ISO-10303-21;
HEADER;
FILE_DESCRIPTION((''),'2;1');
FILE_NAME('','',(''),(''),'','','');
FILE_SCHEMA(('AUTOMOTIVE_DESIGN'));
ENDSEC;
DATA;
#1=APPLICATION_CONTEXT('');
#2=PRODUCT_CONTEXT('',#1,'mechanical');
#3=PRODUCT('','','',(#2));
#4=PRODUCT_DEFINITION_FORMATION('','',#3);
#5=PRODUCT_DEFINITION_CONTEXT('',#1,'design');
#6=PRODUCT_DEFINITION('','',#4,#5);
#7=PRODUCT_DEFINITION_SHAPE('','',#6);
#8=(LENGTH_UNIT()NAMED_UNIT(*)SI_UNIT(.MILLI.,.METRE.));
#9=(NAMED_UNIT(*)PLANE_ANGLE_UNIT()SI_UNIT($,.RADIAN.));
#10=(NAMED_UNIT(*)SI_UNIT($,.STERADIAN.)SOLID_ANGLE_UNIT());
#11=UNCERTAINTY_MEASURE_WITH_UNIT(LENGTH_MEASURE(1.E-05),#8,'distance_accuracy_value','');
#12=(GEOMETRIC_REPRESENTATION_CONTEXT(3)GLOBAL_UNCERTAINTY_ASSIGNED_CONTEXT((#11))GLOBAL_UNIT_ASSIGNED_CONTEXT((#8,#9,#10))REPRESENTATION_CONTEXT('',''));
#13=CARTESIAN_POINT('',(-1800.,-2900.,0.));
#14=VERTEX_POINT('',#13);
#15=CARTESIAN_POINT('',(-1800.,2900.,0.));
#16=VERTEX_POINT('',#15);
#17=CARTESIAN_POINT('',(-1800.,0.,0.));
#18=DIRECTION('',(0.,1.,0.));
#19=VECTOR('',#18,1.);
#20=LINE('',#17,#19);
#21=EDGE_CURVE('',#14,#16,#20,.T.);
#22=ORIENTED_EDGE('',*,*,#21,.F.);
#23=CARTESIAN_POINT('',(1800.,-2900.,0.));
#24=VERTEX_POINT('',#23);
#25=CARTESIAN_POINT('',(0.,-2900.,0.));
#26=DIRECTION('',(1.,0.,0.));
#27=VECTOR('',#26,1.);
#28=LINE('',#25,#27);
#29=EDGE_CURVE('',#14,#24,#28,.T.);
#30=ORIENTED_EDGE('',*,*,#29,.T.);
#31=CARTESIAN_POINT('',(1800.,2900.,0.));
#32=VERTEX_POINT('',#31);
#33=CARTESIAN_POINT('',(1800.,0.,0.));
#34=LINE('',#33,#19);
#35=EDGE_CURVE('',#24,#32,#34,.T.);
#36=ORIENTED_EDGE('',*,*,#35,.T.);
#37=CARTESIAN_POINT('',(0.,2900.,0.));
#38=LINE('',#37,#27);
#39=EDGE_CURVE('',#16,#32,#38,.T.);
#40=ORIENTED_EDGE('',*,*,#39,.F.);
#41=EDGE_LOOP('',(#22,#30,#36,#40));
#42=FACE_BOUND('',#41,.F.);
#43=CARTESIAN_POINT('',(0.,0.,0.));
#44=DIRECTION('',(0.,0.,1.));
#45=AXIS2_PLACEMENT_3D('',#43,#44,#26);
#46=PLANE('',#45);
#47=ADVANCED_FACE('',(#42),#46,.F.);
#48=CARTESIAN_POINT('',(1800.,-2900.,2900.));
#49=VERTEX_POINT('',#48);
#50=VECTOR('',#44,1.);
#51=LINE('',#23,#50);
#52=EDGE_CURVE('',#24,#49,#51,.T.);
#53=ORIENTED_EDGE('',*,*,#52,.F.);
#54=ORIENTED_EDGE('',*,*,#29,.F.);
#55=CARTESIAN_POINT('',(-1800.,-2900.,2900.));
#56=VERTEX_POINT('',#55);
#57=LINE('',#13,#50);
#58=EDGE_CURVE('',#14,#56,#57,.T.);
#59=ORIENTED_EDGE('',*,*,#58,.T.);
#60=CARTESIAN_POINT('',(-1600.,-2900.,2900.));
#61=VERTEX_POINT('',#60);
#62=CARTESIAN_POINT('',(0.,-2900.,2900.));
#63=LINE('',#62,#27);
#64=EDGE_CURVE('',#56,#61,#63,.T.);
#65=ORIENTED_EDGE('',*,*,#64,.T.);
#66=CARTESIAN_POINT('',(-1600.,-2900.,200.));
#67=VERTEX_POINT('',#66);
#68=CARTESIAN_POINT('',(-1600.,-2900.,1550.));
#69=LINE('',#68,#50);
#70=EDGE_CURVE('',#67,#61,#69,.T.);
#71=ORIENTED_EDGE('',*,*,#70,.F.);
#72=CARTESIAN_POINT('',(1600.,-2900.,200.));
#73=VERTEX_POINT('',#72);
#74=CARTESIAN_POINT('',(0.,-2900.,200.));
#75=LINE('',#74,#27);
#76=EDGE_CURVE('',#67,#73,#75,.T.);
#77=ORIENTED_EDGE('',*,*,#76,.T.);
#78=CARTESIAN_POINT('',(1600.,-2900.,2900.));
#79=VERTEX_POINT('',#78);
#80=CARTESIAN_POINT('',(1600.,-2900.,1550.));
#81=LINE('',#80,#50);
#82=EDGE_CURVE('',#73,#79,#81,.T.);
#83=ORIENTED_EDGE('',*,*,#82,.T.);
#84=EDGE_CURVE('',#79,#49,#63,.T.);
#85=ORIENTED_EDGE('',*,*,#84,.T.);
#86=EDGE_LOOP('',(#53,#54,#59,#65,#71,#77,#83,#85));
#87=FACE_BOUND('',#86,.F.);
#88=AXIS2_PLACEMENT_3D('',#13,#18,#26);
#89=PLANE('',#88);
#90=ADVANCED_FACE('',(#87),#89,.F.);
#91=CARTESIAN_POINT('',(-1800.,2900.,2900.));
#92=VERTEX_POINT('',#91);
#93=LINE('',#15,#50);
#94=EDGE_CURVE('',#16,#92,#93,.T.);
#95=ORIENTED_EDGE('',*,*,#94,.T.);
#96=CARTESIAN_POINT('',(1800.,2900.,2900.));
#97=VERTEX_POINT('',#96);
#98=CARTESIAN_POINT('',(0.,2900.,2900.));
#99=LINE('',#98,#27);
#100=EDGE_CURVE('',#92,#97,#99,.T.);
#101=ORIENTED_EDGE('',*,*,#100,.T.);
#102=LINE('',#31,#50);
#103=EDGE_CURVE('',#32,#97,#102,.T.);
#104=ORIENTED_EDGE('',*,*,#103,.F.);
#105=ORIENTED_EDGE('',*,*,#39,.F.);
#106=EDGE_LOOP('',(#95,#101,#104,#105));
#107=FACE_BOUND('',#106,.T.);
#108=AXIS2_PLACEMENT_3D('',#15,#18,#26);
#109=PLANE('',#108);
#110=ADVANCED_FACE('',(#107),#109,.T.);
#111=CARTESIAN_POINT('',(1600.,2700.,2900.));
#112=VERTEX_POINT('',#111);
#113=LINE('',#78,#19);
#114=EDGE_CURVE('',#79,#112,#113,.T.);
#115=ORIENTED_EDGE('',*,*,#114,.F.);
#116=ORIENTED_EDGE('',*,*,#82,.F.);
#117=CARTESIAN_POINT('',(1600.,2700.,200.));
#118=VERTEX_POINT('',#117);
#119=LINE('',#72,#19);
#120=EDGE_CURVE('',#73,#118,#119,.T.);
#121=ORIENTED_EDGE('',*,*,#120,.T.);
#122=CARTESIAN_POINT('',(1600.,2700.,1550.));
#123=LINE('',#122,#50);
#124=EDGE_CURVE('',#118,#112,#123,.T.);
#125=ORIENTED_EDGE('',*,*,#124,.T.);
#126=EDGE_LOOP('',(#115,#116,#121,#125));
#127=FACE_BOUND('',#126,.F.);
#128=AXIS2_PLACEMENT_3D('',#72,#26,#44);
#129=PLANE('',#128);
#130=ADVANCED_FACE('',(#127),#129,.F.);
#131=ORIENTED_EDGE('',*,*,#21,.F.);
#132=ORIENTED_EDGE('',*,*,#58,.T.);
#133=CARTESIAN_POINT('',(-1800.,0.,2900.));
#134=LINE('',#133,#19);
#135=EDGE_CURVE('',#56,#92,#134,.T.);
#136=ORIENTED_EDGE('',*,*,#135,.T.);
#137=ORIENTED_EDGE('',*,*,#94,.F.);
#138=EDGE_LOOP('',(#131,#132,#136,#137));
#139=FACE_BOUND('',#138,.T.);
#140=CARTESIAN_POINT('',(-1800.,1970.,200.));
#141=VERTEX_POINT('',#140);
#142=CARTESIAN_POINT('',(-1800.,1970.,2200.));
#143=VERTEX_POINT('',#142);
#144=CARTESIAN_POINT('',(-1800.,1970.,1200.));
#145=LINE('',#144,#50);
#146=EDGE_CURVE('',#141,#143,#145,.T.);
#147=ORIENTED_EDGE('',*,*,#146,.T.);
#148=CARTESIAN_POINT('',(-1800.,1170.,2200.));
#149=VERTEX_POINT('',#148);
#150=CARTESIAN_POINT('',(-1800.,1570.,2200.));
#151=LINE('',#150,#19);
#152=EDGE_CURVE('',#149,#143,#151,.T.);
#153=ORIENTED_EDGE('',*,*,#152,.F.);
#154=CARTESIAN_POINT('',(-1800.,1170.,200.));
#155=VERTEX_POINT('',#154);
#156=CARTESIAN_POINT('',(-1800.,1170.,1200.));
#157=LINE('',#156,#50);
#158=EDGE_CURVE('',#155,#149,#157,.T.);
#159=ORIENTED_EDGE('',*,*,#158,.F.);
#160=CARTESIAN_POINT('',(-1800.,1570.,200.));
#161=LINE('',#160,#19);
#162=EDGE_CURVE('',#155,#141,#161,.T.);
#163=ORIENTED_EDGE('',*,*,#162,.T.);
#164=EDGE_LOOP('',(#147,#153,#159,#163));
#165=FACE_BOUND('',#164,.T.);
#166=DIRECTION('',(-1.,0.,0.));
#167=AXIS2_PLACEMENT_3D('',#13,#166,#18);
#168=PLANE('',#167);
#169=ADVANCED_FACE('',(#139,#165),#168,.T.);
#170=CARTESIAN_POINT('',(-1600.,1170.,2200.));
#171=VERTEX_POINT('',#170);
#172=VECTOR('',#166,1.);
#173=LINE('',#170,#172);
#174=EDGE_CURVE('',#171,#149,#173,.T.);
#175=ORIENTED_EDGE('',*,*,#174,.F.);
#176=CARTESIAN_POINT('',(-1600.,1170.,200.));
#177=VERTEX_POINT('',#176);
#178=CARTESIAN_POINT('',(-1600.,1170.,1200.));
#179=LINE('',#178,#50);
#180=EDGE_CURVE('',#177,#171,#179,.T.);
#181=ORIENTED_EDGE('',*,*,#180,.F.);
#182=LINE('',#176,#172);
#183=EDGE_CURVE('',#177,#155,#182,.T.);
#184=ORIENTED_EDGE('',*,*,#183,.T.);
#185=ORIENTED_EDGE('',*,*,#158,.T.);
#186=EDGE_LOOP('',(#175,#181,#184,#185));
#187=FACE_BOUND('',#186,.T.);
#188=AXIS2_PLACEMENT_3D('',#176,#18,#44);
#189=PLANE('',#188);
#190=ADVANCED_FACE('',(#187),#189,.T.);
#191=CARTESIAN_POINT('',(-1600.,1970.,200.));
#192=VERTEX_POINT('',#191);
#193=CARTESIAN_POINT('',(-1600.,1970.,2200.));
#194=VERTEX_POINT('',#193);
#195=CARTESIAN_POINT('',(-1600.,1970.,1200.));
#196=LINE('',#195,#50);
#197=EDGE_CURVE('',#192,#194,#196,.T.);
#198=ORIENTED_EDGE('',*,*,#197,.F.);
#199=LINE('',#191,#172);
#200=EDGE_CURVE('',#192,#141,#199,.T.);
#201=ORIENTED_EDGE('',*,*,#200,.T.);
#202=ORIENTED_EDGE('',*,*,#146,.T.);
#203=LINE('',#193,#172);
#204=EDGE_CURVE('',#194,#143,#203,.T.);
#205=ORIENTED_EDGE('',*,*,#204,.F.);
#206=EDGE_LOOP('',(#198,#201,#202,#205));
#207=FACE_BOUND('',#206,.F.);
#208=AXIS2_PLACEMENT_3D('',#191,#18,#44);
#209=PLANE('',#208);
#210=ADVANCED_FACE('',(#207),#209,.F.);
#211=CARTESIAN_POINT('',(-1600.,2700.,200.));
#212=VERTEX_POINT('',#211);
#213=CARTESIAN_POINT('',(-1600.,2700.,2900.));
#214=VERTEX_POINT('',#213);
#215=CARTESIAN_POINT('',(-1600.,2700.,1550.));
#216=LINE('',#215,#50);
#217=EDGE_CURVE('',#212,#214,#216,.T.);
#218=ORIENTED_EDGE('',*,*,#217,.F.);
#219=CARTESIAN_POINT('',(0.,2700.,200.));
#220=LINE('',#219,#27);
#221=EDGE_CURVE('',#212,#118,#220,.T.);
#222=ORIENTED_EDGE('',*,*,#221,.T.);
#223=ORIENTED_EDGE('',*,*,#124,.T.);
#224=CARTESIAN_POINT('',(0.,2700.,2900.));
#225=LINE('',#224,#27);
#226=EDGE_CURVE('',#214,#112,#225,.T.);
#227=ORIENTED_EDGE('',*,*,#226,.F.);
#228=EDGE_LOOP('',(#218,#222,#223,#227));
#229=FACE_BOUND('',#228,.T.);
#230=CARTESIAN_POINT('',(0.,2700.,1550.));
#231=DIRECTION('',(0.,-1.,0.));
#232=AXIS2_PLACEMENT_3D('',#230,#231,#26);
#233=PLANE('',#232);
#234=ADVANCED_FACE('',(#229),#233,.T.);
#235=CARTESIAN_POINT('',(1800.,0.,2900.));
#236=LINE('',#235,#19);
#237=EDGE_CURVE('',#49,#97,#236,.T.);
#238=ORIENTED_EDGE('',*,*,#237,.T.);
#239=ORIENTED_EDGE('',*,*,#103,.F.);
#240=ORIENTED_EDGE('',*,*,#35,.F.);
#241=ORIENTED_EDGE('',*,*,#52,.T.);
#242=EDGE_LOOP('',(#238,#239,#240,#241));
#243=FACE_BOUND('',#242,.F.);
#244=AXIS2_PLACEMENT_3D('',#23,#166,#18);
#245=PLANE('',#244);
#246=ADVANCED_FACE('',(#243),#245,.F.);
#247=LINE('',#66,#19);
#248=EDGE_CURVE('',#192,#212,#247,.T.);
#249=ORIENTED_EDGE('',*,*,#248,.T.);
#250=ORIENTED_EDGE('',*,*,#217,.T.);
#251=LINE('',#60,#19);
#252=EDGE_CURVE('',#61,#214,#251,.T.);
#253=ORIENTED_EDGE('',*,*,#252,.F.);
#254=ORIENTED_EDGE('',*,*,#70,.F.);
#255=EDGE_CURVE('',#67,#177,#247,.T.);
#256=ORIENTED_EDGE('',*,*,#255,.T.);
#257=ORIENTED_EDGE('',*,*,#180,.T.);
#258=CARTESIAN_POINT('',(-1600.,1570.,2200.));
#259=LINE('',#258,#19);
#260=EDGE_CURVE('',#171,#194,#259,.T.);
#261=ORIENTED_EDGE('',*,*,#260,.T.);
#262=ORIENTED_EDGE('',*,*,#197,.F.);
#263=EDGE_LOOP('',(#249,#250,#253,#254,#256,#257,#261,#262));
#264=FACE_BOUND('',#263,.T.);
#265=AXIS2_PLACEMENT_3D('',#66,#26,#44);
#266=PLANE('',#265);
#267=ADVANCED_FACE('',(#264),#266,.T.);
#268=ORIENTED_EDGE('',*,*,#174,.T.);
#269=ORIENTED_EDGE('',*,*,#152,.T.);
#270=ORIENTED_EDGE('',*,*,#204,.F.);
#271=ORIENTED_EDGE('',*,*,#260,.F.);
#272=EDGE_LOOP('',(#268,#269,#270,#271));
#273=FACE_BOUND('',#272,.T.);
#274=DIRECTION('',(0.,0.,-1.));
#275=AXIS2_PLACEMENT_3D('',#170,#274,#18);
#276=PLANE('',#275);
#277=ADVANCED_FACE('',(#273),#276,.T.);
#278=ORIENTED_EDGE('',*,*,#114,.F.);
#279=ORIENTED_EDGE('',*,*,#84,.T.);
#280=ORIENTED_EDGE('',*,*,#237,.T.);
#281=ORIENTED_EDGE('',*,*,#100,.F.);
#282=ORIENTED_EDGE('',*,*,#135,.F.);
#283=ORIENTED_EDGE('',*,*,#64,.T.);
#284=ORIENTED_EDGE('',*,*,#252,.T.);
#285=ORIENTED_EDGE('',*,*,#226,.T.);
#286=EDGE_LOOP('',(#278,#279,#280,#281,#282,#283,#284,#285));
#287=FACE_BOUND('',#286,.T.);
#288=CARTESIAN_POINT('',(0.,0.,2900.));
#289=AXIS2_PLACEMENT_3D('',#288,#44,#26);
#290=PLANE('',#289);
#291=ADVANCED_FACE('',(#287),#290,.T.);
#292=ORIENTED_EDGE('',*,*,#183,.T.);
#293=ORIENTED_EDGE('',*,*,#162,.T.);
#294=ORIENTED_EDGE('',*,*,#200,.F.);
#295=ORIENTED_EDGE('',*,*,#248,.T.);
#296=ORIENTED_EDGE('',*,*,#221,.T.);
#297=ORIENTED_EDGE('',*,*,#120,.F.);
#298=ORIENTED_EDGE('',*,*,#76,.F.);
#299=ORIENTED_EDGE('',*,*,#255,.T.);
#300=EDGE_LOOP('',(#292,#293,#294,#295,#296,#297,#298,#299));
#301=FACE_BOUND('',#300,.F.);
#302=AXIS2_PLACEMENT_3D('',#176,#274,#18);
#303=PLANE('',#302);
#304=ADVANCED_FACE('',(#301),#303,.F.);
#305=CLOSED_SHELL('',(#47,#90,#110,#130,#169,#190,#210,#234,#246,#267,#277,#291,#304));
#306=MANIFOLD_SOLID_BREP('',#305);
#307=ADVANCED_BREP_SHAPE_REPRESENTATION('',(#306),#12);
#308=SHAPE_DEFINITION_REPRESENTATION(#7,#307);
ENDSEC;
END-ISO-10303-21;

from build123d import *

# Parameters (mm, degrees)
F0_W     = 3600
F0_H     = 5800
F1_DEPTH = 2900
F2_W     = 3200
F2_H     = 2700
F3_DEPTH = 5600
F4_W     = 800
F4_H     = 2000
F5_DEPTH = 200


with BuildPart() as f1:
    # F0 (on Top) → F1 (new body)
    with BuildSketch(Plane.XY):
        Rectangle(F0_W, F0_H)
    extrude(amount=F1_DEPTH)

    # F2 (on face) → F3 (cut)
    with BuildSketch(Plane.XZ.offset(2900)):
        with Locations((0, 1550)):
            Rectangle(F2_W, F2_H)
    extrude(amount=-F3_DEPTH, mode=Mode.SUBTRACT)

    # F4 (on face) → F5 (cut, through all)
    with BuildSketch(Plane.YZ.offset(-1600)):
        with Locations((1570, 1200)):
            Rectangle(F4_W, F4_H)
    extrude(amount=-F5_DEPTH, mode=Mode.SUBTRACT)


solid = f1.part
